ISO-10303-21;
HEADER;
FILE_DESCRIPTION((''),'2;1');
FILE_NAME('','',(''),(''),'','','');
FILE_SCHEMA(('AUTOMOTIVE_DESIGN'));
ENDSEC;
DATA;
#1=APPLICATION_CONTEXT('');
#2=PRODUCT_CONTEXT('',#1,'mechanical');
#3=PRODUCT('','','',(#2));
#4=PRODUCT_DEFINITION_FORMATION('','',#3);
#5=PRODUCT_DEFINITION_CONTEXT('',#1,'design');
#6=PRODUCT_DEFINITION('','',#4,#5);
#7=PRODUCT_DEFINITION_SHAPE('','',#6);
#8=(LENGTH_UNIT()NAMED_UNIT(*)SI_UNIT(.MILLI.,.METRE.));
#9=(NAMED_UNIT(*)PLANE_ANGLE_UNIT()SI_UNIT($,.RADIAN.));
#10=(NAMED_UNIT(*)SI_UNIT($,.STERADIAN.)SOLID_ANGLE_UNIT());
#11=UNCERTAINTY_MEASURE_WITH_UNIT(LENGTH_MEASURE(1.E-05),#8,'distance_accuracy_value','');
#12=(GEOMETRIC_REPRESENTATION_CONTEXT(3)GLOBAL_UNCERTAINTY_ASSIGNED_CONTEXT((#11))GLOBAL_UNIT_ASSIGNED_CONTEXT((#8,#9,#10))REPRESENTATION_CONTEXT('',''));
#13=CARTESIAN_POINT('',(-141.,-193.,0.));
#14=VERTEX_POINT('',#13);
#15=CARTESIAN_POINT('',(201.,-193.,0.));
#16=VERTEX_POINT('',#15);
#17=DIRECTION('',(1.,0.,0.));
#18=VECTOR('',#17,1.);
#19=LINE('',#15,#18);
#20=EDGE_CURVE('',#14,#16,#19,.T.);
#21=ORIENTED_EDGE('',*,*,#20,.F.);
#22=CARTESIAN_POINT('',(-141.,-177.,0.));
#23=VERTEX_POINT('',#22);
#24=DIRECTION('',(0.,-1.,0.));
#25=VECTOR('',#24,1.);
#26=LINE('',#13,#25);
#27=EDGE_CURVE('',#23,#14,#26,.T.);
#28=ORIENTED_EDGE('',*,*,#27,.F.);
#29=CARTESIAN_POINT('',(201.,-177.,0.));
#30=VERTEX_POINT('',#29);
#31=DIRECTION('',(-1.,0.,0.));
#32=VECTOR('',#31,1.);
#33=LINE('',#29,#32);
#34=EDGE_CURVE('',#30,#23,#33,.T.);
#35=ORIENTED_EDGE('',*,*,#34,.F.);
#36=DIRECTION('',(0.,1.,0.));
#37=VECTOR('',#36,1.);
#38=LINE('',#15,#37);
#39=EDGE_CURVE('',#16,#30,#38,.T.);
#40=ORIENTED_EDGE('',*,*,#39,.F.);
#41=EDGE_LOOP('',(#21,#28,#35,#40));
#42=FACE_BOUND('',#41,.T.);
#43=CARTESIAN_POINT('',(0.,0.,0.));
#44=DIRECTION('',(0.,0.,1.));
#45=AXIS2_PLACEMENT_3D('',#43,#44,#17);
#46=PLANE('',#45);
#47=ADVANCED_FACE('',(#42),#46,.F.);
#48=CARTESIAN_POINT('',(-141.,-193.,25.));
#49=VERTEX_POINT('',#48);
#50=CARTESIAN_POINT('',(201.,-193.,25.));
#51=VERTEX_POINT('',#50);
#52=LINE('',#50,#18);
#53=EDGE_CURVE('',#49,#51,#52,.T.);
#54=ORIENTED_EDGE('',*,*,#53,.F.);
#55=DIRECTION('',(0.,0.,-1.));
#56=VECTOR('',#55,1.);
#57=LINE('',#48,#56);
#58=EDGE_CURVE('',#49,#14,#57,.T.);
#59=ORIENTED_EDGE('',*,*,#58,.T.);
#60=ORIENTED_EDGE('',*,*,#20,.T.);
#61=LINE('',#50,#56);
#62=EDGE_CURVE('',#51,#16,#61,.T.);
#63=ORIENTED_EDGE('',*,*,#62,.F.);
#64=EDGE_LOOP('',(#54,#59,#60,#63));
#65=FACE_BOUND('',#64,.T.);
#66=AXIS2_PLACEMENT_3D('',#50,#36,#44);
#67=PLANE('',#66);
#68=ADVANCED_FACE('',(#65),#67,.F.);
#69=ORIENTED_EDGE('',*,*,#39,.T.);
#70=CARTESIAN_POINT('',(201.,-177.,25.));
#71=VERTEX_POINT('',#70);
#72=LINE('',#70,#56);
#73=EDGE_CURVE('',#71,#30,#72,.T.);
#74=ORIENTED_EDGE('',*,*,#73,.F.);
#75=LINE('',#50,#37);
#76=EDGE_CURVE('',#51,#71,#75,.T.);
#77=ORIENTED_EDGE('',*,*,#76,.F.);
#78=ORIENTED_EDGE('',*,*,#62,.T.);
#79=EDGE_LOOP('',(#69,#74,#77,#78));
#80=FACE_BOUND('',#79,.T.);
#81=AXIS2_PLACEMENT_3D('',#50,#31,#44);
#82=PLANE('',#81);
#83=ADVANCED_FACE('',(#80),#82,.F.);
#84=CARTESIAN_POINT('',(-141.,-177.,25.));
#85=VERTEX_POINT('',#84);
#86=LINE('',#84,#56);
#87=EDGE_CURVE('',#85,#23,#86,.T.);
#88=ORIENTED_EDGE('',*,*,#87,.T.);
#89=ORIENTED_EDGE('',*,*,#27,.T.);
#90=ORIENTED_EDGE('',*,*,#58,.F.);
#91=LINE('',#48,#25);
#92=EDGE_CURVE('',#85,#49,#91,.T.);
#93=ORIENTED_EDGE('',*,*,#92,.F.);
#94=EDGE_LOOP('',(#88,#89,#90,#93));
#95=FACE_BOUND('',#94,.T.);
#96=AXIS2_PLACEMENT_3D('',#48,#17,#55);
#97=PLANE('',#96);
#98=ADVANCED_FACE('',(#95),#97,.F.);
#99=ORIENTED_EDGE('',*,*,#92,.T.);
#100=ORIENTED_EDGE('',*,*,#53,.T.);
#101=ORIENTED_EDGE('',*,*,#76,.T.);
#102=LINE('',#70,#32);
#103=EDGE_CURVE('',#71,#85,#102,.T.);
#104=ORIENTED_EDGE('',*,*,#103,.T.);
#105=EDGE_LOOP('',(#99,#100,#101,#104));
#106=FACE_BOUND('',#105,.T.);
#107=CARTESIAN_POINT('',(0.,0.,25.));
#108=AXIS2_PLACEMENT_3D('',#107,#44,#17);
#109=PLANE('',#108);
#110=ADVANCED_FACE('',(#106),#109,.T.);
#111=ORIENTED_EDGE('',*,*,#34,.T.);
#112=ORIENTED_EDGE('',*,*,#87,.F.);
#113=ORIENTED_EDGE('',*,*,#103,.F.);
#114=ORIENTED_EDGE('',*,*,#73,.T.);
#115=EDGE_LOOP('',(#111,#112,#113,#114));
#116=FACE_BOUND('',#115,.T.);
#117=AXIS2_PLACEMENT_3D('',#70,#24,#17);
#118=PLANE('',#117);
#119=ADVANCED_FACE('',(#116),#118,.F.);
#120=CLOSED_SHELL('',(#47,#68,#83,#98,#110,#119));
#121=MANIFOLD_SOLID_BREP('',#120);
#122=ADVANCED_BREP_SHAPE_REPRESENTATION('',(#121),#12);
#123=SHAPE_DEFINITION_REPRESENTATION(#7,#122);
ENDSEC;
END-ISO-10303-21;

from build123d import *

# Parameters (mm, degrees)
ESQUISSE1_W        = 342
ESQUISSE1_H        = 16
BOSS_EXTRU_1_DEPTH = 25


with BuildPart() as part:
    # Esquisse1 → Boss.-Extru.1 (new body)
    with BuildSketch(Plane.XY):
        with Locations((30, -185)):
            Rectangle(ESQUISSE1_W, ESQUISSE1_H)
    extrude(amount=BOSS_EXTRU_1_DEPTH)


solid = part.part
